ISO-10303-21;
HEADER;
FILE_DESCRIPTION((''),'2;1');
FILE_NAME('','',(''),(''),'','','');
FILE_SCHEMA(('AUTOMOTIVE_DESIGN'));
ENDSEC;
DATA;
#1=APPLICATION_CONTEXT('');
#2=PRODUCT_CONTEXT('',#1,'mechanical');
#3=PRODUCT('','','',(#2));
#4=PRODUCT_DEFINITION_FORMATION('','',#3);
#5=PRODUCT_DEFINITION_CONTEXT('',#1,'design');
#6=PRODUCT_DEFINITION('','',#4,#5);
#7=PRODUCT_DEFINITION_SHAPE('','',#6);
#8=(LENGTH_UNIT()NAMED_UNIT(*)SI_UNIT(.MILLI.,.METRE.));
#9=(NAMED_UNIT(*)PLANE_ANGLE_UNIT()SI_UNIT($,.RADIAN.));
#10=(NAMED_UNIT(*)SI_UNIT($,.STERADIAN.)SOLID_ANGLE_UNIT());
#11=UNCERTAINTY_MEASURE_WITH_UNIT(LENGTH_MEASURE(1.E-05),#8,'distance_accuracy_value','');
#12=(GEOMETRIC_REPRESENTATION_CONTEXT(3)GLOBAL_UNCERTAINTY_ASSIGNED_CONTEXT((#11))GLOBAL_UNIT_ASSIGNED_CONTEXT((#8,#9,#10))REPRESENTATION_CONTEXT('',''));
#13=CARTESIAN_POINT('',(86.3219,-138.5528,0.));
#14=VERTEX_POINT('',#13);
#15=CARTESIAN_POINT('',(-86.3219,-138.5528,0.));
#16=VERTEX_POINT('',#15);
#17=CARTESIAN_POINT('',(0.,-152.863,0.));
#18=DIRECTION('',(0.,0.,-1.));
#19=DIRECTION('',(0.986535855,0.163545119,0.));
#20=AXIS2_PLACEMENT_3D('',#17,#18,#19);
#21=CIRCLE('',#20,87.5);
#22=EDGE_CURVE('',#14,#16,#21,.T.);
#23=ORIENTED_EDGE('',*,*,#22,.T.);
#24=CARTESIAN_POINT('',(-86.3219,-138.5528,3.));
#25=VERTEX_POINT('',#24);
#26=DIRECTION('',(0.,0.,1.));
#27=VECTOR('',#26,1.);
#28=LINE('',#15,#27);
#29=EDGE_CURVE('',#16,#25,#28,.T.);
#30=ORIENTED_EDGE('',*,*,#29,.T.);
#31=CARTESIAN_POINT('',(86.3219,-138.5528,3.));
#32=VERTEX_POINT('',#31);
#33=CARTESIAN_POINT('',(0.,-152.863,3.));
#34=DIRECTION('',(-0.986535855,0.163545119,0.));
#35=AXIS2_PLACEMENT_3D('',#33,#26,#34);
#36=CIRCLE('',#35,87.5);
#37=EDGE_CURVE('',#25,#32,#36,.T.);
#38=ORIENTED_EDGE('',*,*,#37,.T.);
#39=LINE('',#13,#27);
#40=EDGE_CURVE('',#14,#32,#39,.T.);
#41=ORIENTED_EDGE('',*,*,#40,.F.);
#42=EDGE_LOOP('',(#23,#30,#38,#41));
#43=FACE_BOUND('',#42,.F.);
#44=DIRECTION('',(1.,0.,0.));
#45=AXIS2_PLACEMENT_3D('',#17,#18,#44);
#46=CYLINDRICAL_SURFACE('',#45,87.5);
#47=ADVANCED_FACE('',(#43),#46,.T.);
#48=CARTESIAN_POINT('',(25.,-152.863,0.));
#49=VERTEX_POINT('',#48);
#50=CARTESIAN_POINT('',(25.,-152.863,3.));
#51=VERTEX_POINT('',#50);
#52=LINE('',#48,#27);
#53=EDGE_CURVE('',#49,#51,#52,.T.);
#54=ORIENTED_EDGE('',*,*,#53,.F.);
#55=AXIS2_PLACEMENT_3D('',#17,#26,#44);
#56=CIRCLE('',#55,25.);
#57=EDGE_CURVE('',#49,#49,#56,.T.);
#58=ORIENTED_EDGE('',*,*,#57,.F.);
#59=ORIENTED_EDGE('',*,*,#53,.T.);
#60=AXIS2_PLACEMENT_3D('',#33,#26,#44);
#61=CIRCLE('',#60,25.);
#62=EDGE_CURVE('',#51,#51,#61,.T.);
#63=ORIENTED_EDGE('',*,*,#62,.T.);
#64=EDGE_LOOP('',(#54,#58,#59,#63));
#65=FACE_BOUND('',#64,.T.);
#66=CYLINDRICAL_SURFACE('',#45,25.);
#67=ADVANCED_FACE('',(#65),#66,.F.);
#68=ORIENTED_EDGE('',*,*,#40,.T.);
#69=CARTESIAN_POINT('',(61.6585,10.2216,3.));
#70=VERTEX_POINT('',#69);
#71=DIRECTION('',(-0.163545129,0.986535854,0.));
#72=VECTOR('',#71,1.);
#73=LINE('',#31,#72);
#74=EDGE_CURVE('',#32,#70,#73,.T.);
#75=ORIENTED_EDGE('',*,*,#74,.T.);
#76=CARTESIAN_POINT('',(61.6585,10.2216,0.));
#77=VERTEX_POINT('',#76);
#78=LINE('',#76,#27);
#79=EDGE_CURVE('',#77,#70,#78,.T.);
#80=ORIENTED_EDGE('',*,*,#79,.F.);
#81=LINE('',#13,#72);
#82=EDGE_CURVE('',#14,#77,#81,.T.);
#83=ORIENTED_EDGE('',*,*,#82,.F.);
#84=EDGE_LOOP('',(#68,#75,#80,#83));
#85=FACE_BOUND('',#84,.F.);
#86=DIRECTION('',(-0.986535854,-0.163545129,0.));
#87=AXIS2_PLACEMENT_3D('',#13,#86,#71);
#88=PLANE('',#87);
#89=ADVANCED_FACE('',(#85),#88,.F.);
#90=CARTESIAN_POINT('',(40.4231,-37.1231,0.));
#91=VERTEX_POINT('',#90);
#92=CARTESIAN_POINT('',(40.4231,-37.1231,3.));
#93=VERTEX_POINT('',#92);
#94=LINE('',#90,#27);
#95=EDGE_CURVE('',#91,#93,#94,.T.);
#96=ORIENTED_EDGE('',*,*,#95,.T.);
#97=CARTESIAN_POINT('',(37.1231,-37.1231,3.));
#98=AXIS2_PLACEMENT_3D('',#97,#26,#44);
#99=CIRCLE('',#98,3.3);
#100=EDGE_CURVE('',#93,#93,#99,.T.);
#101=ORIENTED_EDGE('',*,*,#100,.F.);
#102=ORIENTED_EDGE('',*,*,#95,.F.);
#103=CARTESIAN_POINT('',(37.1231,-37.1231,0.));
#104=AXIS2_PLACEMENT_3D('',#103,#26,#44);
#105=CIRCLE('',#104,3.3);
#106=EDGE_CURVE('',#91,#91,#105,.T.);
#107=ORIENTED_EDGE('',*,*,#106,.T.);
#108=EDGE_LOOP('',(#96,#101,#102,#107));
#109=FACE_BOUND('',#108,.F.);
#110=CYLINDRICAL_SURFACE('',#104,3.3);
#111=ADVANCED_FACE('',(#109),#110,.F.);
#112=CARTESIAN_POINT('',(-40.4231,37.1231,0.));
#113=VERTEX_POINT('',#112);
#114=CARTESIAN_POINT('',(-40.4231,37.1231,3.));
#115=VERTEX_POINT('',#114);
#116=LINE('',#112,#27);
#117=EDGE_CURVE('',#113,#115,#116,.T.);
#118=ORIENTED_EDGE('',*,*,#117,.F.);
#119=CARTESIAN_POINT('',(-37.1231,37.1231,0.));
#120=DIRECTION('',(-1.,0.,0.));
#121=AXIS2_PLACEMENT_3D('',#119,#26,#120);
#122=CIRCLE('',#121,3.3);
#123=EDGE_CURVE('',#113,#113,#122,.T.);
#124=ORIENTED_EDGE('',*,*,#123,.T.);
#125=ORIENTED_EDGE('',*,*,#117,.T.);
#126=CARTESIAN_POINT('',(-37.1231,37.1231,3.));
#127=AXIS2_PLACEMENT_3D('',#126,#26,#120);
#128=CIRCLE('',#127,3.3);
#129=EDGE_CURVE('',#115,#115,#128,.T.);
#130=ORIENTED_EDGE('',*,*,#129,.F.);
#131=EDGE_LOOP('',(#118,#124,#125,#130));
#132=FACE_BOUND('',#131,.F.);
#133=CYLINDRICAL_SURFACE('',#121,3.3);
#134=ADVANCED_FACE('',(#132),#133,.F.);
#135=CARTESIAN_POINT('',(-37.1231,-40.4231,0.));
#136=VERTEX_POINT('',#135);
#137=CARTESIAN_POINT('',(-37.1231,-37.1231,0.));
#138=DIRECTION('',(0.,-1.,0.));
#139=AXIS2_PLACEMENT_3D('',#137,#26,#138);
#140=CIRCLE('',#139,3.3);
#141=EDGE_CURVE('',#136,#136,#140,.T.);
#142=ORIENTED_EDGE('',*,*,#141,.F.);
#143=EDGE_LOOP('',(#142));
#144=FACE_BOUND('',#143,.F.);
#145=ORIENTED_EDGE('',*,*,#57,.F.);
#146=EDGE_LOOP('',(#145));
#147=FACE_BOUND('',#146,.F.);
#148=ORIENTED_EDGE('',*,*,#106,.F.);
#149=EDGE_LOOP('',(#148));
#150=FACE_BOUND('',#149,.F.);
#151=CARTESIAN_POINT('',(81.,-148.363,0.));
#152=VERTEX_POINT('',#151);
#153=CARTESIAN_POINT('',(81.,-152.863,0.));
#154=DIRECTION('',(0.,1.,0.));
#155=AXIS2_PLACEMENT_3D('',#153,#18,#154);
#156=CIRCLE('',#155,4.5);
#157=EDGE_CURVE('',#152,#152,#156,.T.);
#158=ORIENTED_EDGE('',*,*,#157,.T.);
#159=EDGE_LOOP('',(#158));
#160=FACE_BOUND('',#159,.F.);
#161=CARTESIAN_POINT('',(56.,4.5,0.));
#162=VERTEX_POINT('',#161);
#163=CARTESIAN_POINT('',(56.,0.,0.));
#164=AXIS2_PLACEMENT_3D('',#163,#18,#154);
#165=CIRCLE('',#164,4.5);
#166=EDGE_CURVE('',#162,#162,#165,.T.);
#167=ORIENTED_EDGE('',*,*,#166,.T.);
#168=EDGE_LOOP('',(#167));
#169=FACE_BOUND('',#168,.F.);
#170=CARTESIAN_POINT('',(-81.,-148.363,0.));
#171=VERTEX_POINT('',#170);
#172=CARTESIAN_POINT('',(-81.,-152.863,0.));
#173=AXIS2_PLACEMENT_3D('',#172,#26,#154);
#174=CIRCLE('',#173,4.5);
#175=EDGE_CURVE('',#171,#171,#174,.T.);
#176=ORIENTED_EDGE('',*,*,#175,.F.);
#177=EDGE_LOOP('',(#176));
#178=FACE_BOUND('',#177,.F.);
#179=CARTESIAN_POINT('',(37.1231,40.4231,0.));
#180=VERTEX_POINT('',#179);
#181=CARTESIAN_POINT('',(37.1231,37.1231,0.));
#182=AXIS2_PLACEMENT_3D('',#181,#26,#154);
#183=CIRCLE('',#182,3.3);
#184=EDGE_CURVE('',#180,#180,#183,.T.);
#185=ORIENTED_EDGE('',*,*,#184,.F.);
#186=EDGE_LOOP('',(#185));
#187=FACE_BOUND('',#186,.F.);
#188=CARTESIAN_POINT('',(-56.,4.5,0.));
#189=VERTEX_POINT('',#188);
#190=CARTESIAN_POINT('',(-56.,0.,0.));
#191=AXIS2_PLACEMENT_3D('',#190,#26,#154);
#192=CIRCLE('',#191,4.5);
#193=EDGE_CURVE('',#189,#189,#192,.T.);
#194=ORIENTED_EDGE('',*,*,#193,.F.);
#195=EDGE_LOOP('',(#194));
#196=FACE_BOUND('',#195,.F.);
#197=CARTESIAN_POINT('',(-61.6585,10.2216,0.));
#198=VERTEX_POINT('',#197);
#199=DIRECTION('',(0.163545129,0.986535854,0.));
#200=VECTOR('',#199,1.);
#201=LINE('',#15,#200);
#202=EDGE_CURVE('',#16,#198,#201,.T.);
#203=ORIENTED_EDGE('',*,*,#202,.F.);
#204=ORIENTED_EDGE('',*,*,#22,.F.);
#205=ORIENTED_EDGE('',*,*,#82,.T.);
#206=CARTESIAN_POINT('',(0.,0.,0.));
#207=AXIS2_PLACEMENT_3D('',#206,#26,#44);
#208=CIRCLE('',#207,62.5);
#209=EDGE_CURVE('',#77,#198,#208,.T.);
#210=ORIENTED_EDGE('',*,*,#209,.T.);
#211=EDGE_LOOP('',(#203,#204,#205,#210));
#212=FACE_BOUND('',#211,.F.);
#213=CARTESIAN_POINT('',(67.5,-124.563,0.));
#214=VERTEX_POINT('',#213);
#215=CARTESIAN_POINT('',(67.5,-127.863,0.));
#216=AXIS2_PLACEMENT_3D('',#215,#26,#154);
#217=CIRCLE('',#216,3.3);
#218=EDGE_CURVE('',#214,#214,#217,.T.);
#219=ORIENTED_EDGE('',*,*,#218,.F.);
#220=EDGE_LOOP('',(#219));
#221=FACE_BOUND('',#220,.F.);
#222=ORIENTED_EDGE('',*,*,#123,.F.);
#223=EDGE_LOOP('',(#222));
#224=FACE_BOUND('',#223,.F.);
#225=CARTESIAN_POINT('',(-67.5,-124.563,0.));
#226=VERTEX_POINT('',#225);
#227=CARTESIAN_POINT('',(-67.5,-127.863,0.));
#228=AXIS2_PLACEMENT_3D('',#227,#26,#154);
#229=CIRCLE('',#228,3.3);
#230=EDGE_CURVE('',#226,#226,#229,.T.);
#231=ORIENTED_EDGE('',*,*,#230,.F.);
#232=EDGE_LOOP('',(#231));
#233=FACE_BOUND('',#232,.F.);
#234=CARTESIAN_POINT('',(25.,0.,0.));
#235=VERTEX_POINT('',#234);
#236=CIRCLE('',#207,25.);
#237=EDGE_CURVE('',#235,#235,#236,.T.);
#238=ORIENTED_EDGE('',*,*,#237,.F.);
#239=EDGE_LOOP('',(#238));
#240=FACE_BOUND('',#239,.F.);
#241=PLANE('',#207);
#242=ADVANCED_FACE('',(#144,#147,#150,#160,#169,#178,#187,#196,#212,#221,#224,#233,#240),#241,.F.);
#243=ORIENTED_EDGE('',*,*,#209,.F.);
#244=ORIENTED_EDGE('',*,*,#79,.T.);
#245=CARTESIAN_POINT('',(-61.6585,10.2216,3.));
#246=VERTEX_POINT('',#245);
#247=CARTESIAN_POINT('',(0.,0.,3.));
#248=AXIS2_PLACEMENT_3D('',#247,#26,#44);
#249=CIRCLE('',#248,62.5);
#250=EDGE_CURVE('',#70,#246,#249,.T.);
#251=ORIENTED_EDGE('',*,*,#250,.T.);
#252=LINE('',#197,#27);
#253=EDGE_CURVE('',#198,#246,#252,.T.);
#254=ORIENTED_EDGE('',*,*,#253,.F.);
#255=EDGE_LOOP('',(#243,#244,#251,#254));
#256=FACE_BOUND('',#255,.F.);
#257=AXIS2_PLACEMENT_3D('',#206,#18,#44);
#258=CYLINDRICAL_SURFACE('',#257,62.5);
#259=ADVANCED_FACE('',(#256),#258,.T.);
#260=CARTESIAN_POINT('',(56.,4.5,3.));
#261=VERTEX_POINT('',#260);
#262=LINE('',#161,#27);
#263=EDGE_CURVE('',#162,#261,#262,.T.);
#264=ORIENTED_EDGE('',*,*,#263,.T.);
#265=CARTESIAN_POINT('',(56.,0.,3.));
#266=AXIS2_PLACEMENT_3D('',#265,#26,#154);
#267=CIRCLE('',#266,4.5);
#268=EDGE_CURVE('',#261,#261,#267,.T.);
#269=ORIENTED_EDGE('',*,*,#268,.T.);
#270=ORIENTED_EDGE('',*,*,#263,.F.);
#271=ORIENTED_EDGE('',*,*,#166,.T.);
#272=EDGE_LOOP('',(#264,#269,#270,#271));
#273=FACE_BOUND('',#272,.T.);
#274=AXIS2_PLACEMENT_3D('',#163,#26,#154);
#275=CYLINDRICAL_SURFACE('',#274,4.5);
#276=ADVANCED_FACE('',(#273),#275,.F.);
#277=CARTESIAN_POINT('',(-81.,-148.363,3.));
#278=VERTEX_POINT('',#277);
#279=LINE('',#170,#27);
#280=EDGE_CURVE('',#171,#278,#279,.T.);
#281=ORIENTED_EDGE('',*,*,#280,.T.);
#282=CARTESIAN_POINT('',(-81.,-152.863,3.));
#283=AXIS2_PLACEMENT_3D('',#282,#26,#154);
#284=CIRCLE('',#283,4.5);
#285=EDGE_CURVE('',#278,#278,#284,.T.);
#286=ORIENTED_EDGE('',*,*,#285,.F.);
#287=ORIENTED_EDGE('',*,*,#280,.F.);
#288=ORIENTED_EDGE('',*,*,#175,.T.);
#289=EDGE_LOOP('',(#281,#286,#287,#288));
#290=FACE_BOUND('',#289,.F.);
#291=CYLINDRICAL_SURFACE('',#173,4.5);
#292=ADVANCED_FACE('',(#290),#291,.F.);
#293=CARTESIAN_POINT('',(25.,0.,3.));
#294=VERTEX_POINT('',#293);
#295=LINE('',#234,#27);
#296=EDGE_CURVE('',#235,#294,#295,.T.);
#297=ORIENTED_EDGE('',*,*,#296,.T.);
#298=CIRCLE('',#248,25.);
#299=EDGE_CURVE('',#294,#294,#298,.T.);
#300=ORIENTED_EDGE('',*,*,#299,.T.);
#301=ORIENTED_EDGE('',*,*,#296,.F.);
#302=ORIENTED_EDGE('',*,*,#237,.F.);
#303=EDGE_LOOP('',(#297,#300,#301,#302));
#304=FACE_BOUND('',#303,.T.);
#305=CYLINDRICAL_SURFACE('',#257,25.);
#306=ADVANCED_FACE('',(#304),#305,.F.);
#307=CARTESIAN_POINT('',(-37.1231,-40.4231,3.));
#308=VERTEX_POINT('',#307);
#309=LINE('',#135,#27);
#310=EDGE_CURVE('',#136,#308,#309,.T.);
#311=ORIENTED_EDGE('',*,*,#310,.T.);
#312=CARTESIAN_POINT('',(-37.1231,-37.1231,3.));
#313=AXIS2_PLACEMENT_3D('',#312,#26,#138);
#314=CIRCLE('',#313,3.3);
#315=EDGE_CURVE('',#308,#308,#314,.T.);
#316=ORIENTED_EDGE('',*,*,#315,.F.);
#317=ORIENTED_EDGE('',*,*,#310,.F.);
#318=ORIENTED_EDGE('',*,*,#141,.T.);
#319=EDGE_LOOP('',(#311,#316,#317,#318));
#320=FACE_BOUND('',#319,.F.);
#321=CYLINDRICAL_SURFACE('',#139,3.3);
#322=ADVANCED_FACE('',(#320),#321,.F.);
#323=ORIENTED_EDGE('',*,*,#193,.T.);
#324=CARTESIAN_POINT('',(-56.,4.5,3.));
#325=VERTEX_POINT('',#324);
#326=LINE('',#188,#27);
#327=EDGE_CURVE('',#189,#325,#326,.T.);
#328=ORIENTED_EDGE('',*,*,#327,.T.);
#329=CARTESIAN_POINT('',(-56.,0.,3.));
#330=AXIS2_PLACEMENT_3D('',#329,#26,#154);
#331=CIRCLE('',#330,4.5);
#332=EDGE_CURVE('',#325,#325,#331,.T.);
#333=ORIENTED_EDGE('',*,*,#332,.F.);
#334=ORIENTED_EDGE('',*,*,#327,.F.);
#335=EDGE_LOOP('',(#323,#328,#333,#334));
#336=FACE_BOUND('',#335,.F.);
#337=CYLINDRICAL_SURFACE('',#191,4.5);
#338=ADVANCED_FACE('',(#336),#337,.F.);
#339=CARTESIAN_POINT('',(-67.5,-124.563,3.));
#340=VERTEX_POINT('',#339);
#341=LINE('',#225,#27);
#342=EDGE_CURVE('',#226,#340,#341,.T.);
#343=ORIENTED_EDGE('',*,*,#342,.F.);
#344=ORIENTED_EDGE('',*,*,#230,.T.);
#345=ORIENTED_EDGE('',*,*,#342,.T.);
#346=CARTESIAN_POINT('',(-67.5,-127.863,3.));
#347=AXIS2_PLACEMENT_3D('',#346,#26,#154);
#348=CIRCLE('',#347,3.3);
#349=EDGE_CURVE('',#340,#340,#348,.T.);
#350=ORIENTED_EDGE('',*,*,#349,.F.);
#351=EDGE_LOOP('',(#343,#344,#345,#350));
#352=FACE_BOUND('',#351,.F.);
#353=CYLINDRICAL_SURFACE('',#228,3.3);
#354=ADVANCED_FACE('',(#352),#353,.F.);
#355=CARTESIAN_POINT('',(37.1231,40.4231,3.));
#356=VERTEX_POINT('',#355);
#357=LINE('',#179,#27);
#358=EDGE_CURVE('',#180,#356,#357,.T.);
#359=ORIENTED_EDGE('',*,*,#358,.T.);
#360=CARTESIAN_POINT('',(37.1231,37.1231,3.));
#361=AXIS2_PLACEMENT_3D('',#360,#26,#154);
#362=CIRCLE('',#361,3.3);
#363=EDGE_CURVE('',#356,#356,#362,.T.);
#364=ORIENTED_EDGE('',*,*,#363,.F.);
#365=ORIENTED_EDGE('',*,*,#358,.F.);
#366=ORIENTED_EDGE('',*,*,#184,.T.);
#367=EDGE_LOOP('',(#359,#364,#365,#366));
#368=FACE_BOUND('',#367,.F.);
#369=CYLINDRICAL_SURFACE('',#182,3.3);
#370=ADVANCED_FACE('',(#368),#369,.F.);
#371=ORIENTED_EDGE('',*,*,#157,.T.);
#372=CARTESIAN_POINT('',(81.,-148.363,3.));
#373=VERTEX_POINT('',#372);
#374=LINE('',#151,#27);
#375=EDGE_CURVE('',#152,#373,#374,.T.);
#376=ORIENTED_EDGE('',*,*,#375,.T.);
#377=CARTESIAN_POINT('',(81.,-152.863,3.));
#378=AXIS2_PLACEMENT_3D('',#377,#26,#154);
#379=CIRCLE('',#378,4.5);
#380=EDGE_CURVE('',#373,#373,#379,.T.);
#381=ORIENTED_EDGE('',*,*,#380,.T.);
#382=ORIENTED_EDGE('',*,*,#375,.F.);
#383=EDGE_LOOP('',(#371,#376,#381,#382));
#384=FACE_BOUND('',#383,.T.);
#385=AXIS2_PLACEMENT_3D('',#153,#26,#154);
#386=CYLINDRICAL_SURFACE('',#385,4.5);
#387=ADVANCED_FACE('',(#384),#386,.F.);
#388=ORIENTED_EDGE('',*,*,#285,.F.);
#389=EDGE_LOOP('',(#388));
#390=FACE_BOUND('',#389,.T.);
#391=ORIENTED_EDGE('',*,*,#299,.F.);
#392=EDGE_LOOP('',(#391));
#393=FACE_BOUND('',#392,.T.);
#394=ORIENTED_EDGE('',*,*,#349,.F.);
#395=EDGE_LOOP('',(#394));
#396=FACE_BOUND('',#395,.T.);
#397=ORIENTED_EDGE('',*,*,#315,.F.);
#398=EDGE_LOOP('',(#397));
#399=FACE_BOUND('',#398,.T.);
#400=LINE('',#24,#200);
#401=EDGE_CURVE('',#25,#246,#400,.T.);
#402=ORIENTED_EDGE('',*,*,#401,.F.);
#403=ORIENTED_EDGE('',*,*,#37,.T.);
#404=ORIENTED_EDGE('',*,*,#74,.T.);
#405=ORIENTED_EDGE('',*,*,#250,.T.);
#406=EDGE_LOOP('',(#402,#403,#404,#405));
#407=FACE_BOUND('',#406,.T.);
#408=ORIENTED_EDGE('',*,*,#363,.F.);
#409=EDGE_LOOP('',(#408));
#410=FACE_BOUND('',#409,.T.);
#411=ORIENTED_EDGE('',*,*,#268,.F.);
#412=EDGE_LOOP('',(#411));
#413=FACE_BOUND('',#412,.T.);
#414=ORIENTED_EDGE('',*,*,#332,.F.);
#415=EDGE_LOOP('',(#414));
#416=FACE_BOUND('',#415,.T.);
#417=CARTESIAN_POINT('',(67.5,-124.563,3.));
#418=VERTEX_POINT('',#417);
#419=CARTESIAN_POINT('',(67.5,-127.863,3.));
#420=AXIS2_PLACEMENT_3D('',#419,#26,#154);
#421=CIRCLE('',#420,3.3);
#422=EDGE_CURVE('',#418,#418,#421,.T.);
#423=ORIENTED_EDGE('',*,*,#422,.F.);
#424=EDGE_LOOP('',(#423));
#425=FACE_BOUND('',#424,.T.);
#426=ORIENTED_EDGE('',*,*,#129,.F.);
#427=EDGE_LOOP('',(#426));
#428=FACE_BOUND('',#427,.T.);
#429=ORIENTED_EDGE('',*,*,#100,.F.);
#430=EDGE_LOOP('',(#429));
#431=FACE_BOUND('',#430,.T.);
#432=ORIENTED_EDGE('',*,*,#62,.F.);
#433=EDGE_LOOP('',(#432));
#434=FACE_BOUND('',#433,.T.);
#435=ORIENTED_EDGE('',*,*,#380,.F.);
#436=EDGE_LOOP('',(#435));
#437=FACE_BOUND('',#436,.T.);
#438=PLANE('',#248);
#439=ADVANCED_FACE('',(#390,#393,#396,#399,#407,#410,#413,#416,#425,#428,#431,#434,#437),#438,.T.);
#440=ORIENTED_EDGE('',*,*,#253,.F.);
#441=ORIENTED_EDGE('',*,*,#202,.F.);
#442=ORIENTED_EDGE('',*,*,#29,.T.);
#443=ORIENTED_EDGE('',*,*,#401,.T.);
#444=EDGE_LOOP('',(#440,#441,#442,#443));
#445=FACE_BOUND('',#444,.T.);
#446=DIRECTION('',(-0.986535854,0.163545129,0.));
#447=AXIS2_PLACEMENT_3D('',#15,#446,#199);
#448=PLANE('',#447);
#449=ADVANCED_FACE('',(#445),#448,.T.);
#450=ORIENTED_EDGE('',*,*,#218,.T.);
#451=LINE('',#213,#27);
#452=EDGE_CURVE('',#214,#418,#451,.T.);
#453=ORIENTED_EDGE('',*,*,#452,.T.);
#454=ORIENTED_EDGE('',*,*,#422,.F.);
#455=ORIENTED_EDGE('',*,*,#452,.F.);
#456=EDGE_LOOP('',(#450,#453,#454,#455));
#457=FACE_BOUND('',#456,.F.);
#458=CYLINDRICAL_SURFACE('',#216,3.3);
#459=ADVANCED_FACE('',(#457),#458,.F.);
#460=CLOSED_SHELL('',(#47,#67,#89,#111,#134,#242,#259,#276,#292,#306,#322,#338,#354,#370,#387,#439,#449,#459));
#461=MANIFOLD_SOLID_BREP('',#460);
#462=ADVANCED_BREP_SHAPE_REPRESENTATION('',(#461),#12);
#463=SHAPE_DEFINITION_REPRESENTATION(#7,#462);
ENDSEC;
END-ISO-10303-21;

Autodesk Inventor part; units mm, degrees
ref_plane "YZ Plane" through (0, 0, 0) normal (1, 0, 0) x (0, 1, 0)
ref_plane "XZ Plane" through (0, 0, 0) normal (0, 1, 0) x (-1, 0, 0)
ref_plane "XY Plane" through (0, 0, 0) normal (0, 0, 1) x (1, 0, 0)
sketch "Sketch1" plane through (0, 0, 0) normal (0, 0, 1) x (1, 0, 0)
  circle A0 centre (0, 0) radius 52.5 construction
  circle A1 centre (0, 0) radius 25
  circle A2 centre (0, 0) radius 62.5
  line L0 (0, 0) -> (0, 52.5) construction
  line L1 (0, 0) -> (37.1231, 37.1231) construction
  line L2 (0, 0) -> (0, -152.863) construction
  circle A3 centre (0, -152.863) radius 87.5
  line L3 (-86.3219, -138.5528) -> (-61.6585, 10.2216)
  line L4 (86.3219, -138.5528) -> (61.6585, 10.2216)
  circle A4 centre (0, -152.863) radius 25
  circle A5 centre (0, -152.863) radius 81 construction
  circle A6 centre (0, 0) radius 56 construction
  line L5 (0, 0) -> (-56, 0) construction
  line L6 (0, -152.863) -> (-81, -152.863) construction
  dimension "d31" = 162
  dimension "d32" = 112
  dimension "d0" = 105
  dimension "d1" = 50
  dimension "d2" = 125
  dimension "d3" = 45
  dimension "d4" = 152.863
  dimension "d5" = 175
  dimension "d6" = 50
extrude "Extrusion1" add sketch "Sketch1" along normal blind 3
sketch "Sketch2" plane through (0, 0, 0) normal (0, 0, 1) x (1, 0, 0)
  line L0 (0, 0) -> (0, -127.863)
  line L1 (67.5, -127.863) -> (-67.5, -127.863)
  arc A0 (-86.3219, -138.5528) -> (86.3219, -138.5528) centre (0, -152.863) ccw projected
  dimension "d11" = 127.863
  dimension "d12" = 135
  dimension "d40" = 25
hole "Hole1" at (67.5, -127.863, 0) at (-67.5, -127.863, 0) direction (0, 0, 1) diameter 6.6 end through all clearance for "Hex Head Cap Screw ISO 24017" size "M6" standard "ISO"
hole "Hole2" at (37.1231, 37.1231, 0) direction (0, 0, 1) diameter 6.6 end through all clearance for "Hex Head Cap Screw ISO 24017" size "M6" standard "ISO"
pattern_circular "Circular Pattern1" count 4 over 360 about axis through (0, 0, 0) along (0, 0, 1) of "Hole2"
hole "Hole3" at (-56, 0, 0) at (-81, -152.863, 0) direction (0, 0, 1) diameter 9 end through all
mirror "Mirror1" about plane through (0, 0, 0) normal (1, 0, 0) of "Hole3"
properties part number "PWTR-0084" material "Aluminum 6061"
